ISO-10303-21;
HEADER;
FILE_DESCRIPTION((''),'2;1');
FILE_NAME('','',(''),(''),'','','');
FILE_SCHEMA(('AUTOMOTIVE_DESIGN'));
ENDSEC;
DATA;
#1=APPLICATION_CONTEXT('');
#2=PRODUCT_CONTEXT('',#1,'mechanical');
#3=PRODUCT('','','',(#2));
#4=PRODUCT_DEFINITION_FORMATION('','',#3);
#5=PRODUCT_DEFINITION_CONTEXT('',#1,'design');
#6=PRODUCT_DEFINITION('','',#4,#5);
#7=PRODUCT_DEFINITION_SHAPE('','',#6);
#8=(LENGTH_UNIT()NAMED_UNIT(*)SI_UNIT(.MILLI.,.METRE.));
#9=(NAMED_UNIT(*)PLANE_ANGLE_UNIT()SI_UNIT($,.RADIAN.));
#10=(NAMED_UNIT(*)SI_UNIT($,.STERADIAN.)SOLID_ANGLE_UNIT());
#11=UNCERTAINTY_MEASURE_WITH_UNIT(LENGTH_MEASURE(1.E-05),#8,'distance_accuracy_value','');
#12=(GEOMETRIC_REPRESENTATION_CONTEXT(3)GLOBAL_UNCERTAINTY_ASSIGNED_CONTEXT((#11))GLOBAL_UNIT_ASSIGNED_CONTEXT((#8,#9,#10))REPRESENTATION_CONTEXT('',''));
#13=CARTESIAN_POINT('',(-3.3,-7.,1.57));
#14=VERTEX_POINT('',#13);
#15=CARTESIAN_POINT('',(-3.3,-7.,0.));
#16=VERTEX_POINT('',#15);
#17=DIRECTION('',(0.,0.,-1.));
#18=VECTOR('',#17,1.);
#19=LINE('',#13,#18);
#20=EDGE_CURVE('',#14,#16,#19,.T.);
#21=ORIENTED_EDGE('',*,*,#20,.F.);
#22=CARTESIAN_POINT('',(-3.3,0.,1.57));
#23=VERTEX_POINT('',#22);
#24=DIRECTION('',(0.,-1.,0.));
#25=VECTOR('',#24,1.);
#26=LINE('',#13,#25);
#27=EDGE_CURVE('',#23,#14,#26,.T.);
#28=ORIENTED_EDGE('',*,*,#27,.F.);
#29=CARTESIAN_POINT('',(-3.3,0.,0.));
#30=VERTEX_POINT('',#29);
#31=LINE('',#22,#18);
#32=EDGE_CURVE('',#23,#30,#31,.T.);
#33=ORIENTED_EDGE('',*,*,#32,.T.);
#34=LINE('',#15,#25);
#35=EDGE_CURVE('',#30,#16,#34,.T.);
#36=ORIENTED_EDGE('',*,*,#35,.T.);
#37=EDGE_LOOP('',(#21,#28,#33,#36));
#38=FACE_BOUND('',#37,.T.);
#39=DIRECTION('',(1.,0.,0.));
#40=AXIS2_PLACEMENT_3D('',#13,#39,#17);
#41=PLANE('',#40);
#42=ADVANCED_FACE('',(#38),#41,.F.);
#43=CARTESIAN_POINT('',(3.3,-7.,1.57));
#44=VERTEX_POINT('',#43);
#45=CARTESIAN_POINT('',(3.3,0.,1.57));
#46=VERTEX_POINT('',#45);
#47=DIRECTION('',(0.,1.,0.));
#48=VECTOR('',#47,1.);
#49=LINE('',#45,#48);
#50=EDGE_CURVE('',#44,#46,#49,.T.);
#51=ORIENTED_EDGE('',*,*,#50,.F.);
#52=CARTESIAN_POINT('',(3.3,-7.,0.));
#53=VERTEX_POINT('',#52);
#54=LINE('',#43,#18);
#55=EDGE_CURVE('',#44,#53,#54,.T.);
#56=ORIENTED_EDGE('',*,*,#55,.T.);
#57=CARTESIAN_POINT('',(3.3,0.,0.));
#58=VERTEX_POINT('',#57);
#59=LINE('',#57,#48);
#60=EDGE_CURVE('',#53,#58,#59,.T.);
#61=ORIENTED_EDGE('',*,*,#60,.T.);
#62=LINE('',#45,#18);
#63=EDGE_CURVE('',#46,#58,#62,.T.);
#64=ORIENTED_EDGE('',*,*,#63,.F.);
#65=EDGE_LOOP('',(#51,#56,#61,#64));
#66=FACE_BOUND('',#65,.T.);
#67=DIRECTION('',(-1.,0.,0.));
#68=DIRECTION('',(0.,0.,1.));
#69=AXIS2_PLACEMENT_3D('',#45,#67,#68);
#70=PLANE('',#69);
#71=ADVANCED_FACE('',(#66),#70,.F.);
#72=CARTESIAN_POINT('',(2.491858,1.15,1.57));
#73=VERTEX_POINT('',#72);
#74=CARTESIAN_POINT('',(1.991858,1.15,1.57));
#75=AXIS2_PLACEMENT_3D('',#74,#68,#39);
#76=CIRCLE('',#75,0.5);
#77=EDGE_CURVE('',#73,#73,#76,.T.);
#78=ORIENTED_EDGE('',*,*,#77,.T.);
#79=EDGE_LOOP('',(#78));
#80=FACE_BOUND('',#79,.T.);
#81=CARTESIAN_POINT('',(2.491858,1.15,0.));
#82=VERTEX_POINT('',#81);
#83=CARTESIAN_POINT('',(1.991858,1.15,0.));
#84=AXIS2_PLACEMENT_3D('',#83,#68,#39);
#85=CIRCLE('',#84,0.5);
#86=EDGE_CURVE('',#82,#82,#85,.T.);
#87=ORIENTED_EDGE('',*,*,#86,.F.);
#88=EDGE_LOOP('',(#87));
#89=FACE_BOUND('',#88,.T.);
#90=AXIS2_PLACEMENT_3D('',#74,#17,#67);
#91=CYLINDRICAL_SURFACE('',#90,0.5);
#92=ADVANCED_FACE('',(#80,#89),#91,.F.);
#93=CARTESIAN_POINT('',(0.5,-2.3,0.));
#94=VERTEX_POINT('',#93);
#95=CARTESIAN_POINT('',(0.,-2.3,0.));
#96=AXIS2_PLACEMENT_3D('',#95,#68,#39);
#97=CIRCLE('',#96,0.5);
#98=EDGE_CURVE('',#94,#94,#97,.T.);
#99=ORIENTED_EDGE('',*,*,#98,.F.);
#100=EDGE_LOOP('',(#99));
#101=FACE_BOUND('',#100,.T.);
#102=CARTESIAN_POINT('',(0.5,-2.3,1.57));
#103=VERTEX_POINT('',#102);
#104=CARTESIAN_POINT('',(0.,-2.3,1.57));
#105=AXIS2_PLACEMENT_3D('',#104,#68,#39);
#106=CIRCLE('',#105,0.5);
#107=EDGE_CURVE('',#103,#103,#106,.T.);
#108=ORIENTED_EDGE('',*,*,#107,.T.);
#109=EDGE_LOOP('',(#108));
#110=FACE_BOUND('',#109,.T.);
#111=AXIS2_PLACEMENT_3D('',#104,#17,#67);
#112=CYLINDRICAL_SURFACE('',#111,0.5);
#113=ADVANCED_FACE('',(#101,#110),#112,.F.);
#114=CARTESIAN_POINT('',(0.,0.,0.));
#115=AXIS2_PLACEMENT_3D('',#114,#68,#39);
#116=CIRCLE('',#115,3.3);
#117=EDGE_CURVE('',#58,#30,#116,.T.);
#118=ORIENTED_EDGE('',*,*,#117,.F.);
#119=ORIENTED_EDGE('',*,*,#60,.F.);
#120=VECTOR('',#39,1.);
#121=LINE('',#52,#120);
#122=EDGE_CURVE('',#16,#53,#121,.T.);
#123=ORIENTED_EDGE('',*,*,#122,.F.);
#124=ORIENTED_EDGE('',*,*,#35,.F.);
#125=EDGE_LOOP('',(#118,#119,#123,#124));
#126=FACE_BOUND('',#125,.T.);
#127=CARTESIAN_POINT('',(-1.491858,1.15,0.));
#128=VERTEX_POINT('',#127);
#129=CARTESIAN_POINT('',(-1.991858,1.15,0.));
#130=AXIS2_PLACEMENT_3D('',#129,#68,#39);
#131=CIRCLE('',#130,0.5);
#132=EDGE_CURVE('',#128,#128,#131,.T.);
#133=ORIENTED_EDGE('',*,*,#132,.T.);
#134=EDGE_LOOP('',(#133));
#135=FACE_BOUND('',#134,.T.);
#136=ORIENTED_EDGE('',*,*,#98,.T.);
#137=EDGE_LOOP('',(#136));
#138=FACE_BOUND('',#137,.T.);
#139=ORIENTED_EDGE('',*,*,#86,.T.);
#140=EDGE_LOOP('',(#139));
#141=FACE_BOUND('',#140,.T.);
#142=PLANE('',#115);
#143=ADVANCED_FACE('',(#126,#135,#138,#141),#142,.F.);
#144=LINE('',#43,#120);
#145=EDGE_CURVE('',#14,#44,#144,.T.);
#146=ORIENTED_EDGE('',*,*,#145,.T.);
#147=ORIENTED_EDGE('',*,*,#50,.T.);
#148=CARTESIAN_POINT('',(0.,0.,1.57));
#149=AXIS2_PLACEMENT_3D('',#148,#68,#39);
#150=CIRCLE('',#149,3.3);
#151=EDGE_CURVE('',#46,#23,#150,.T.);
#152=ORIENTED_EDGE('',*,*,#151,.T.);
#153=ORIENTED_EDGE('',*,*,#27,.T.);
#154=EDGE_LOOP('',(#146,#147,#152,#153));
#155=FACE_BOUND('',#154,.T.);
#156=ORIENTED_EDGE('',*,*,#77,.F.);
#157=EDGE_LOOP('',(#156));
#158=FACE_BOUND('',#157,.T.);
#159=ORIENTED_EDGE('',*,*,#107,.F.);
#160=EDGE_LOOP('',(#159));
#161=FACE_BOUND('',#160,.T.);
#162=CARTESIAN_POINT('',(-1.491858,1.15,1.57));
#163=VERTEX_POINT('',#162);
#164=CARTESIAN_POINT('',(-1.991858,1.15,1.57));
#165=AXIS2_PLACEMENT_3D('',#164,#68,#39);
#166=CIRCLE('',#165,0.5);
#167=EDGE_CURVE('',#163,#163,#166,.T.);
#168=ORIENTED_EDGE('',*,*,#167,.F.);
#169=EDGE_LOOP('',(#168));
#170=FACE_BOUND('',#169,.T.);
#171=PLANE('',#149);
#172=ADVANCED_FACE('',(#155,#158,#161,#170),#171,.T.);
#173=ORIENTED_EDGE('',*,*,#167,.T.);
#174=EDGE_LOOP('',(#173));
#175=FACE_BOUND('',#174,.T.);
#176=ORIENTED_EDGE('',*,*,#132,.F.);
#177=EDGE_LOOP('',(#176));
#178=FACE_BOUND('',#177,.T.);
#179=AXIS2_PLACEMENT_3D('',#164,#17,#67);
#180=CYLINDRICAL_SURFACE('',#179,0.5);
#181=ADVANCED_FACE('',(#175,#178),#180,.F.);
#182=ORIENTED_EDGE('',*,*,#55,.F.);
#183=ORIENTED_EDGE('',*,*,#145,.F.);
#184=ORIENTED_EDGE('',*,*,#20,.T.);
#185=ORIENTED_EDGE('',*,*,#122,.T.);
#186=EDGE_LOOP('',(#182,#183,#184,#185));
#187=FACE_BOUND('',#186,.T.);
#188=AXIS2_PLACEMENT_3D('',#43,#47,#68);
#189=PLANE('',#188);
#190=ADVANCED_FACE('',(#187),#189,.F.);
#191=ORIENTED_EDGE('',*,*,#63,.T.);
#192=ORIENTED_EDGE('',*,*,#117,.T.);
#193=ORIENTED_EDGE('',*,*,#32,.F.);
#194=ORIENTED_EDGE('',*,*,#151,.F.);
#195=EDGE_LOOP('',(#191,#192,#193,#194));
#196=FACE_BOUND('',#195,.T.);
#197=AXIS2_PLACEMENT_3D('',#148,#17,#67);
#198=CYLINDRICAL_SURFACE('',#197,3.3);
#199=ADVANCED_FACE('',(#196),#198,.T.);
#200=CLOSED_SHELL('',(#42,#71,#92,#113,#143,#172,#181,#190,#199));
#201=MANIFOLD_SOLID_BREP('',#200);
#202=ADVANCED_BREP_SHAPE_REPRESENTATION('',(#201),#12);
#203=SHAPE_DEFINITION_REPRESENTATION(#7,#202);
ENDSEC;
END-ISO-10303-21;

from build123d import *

# Parameters (mm, degrees)
SKETCH1_R           = 0.5
BOSS_EXTRUDE1_DEPTH = 1.57


with BuildPart() as part:
    # Sketch1 → Boss-Extrude1 (new body)
    with BuildSketch(Plane.XY):
        with BuildLine():
            Line((3.3, 0), (3.3, -7))
            Line((3.3, -7), (-3.3, -7))
            Line((-3.3, -7), (-3.3, 0))
            ThreePointArc((-3.3, 0), (0, 3.3), (3.3, 0))
        make_face()
        with Locations((0, -2.3)):
            Circle(SKETCH1_R, mode=Mode.SUBTRACT)
        with Locations((-1.991858429, 1.15)):
            Circle(SKETCH1_R, mode=Mode.SUBTRACT)
        with Locations((1.991858429, 1.15)):
            Circle(SKETCH1_R, mode=Mode.SUBTRACT)
    extrude(amount=BOSS_EXTRUDE1_DEPTH)


solid = part.part
